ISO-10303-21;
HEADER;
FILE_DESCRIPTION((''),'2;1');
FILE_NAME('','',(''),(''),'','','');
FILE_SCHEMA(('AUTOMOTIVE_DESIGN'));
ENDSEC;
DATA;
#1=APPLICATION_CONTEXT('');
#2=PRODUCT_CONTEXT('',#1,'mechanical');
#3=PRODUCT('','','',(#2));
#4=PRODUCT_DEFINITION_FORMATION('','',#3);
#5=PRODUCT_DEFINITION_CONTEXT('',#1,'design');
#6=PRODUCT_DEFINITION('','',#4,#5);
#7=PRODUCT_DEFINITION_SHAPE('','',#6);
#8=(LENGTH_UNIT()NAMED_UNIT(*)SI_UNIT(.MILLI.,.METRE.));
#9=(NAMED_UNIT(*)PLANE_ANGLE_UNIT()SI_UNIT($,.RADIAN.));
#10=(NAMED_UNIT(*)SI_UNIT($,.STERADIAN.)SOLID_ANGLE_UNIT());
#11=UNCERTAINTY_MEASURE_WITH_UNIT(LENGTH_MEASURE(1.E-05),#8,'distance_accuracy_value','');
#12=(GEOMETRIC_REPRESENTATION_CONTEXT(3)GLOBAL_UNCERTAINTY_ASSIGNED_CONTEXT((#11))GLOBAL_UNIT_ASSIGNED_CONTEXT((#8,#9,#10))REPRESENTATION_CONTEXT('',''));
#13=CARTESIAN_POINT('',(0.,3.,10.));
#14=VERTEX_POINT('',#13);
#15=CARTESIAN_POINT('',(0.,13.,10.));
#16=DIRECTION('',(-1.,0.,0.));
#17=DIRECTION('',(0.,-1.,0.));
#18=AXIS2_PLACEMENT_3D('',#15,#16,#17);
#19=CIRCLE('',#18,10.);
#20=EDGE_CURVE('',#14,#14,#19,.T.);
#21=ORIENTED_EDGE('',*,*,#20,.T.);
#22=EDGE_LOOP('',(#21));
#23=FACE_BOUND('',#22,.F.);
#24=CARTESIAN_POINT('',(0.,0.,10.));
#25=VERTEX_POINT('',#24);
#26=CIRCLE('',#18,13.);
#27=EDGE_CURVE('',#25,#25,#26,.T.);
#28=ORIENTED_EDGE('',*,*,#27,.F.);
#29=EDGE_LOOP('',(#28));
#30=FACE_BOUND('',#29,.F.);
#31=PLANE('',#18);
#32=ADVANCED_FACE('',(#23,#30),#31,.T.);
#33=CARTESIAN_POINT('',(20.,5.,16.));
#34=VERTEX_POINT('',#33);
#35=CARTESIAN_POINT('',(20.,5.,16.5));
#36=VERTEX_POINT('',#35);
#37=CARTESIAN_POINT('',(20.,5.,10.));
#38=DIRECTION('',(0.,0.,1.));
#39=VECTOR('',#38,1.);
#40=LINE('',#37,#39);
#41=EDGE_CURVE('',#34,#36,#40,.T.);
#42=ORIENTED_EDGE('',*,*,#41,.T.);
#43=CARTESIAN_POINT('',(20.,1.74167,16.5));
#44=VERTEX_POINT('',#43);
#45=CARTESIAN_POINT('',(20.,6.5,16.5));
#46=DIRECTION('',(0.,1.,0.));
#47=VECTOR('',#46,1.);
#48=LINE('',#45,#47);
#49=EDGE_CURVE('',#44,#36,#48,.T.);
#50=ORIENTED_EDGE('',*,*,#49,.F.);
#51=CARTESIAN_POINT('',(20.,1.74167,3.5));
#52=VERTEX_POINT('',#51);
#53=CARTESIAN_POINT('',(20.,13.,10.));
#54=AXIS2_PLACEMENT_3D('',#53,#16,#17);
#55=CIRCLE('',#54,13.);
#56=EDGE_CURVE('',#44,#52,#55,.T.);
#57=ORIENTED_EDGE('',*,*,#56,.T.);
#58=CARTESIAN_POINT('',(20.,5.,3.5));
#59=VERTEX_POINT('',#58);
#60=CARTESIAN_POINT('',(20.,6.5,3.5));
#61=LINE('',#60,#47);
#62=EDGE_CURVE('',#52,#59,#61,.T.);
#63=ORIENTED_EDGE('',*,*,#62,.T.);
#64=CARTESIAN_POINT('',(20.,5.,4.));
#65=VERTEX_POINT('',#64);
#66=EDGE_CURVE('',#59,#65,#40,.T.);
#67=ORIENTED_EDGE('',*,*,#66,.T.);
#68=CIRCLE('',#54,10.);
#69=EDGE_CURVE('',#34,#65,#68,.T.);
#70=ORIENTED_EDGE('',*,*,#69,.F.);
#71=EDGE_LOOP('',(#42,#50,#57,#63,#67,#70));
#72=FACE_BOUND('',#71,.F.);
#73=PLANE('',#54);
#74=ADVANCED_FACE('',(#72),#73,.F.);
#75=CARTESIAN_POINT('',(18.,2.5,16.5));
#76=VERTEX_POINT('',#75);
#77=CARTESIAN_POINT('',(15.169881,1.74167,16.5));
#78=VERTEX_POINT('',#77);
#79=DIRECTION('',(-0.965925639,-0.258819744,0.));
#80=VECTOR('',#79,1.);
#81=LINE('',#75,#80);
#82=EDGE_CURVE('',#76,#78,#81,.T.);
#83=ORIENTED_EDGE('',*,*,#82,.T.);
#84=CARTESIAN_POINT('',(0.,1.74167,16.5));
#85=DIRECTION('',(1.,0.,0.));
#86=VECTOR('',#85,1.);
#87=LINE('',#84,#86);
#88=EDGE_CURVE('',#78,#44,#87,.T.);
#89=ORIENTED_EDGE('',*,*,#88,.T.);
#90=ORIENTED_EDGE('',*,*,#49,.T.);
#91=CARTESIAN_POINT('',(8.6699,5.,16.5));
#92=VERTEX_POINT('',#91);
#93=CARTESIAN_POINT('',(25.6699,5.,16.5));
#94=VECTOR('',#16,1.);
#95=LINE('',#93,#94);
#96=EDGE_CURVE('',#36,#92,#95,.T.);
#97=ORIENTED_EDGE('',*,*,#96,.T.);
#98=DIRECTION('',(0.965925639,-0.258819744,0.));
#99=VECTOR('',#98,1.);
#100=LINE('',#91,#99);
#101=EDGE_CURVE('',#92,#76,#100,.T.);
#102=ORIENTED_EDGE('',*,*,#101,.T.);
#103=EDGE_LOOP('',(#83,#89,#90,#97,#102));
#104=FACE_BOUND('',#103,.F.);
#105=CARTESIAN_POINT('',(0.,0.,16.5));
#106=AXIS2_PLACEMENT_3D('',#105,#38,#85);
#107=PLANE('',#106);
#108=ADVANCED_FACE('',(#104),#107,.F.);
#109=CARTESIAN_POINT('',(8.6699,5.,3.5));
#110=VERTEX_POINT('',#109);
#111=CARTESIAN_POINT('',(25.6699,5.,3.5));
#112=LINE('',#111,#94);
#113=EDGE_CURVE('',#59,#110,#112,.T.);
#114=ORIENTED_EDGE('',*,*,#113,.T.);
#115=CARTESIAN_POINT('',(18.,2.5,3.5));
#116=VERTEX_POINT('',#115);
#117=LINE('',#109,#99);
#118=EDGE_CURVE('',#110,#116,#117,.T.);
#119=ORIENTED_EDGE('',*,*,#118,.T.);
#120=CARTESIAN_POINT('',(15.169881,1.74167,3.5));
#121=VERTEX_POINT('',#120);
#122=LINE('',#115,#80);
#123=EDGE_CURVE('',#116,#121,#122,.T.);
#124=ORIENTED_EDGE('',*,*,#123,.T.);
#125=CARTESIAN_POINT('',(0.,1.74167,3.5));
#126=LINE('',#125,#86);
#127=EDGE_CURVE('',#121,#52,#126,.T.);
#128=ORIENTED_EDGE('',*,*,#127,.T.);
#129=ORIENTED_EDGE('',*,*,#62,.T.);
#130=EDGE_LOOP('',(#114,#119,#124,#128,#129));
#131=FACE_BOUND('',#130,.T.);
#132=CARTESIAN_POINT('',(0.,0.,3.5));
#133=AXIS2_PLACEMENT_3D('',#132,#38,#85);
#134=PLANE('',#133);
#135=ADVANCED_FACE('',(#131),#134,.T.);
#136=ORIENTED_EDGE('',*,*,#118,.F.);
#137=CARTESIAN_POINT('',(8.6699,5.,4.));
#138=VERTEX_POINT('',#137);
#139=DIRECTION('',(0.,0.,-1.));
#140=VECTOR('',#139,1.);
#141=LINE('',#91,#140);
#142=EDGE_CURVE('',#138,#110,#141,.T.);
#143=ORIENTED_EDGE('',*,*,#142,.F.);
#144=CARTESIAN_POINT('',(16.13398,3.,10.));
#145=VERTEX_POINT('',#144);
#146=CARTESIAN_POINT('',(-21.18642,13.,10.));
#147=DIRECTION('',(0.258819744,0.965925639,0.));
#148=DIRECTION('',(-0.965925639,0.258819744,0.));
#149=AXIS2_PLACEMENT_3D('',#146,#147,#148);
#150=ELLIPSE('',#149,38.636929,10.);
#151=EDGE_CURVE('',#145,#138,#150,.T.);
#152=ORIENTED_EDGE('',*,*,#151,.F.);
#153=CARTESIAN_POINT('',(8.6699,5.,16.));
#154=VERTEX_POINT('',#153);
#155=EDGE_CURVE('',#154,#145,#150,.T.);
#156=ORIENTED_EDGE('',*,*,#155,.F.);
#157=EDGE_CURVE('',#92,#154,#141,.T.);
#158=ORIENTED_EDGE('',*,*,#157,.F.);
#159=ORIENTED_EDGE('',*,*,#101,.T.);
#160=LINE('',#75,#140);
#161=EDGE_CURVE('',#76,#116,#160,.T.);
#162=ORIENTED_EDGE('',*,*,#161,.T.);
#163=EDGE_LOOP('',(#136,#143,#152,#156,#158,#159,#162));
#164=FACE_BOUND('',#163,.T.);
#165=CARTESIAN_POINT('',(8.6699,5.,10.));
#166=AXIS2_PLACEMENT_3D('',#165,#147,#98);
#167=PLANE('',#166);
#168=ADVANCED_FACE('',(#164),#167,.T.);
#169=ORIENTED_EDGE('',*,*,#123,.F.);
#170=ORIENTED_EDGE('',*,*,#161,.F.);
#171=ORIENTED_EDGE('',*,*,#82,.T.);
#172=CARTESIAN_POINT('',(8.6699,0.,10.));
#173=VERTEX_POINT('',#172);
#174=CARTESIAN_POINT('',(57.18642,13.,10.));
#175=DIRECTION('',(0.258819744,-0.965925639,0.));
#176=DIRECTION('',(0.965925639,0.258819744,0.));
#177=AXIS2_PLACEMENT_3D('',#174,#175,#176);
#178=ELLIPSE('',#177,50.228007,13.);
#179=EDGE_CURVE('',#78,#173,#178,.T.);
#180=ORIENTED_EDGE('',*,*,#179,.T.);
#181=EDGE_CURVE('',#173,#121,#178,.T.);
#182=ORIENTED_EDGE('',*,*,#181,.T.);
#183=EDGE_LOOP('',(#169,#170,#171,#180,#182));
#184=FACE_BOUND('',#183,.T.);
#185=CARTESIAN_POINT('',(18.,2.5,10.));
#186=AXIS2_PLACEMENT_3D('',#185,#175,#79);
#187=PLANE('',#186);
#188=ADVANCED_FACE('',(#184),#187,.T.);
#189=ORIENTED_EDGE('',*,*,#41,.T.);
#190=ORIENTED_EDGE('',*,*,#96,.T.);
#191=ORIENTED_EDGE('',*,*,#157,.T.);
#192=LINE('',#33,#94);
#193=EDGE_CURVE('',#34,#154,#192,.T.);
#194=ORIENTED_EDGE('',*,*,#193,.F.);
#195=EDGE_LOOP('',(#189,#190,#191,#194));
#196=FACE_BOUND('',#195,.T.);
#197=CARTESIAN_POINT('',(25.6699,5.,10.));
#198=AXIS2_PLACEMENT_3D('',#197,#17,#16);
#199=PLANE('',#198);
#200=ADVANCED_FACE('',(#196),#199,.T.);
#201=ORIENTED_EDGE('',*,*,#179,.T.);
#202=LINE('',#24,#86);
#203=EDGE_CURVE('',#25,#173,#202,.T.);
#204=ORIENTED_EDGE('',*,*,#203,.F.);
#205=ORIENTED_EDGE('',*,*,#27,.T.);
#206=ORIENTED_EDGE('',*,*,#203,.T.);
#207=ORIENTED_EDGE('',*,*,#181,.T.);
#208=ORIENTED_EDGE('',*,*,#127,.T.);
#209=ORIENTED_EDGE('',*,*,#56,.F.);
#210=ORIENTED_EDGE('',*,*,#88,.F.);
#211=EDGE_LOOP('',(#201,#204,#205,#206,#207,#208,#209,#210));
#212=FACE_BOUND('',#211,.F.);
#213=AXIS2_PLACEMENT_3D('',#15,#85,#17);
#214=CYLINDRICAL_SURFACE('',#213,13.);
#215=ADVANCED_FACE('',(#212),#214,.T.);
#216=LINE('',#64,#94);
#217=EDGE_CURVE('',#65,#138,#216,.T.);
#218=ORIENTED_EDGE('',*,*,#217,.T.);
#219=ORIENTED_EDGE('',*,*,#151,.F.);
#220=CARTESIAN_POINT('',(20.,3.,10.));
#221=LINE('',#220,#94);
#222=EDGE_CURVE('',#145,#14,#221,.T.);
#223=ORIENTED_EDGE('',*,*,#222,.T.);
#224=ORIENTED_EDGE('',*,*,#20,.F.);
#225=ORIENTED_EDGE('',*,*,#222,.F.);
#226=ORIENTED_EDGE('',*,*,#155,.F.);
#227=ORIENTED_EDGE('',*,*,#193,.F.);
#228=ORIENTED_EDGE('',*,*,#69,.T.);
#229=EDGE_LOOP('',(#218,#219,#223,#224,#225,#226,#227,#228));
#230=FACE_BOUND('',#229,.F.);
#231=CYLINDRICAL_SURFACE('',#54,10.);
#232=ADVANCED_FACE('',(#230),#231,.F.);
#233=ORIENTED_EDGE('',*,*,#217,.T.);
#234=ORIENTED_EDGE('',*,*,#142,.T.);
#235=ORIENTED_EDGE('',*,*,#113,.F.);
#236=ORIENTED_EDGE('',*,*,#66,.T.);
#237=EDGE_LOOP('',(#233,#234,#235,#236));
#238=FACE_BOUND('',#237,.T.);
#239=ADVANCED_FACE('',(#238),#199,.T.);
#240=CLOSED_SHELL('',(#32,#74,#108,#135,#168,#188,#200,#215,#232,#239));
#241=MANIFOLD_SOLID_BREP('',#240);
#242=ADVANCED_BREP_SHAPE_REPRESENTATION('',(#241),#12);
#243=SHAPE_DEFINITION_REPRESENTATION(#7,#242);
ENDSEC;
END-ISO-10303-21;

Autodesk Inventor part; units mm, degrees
ref_plane "YZ Plane" through (0, 0, 0) normal (1, 0, 0) x (0, 1, 0)
ref_plane "XZ Plane" through (0, 0, 0) normal (0, 1, 0) x (-1, 0, 0)
ref_plane "XY Plane" through (0, 0, 0) normal (0, 0, 1) x (1, 0, 0)
ref_plane "Work Plane1" through (0, 0, 10) normal (0, 0, 1) x (1, 0, 0)
sketch "Sketch2" plane through (0, 0, 10) normal (0, 0, 1) x (1, 0, 0)
  line L0 (0, 0) -> (20, 0)
  line L1 (20, 0) -> (20, 3)
  line L2 (20, 3) -> (0, 3)
  line L3 (0, 3) -> (0, 0)
  line L4 (20, 13) -> (0, 13)
  dimension "d11" = 20
  dimension "d12" = 3
  dimension "d13" = 10
revolve "Revolution1" add sketch "Sketch2" angle 360 about axis through (20, 13, 10) along (-1, 0, 0)
sketch "Sketch3" plane through (0, 0, 10) normal (0, 0, 1) x (1, 0, 0)
  line L0 (8.6699, 0) -> (25.6699, 0)
  line L1 (25.6699, 0) -> (25.6699, 5)
  line L2 (25.6699, 5) -> (8.6699, 5)
  line L3 (8.6699, 5) -> (18, 2.5)
  line L4 (18, 2.5) -> (8.6699, 0)
  line L5 (0, 26) -> (0, 0) projected
  line L6 (-3.0148, 0) -> (-5.3111, 0)
  dimension "d15" = 90
  dimension "d17" = 17
  dimension "d19" = 15
  dimension "d20" = 15
  dimension "d21" = 2.5
  dimension "d23" = 18
  dimension "d24" = 5
  dimension "d25" = 5.3111
  dimension "d26" = 7.6699
extrude "Extrusion2" cut sketch "Sketch3" along normal mid plane 13
equation "\"d20\" = d19"
properties part number "Whistle 1.2"
